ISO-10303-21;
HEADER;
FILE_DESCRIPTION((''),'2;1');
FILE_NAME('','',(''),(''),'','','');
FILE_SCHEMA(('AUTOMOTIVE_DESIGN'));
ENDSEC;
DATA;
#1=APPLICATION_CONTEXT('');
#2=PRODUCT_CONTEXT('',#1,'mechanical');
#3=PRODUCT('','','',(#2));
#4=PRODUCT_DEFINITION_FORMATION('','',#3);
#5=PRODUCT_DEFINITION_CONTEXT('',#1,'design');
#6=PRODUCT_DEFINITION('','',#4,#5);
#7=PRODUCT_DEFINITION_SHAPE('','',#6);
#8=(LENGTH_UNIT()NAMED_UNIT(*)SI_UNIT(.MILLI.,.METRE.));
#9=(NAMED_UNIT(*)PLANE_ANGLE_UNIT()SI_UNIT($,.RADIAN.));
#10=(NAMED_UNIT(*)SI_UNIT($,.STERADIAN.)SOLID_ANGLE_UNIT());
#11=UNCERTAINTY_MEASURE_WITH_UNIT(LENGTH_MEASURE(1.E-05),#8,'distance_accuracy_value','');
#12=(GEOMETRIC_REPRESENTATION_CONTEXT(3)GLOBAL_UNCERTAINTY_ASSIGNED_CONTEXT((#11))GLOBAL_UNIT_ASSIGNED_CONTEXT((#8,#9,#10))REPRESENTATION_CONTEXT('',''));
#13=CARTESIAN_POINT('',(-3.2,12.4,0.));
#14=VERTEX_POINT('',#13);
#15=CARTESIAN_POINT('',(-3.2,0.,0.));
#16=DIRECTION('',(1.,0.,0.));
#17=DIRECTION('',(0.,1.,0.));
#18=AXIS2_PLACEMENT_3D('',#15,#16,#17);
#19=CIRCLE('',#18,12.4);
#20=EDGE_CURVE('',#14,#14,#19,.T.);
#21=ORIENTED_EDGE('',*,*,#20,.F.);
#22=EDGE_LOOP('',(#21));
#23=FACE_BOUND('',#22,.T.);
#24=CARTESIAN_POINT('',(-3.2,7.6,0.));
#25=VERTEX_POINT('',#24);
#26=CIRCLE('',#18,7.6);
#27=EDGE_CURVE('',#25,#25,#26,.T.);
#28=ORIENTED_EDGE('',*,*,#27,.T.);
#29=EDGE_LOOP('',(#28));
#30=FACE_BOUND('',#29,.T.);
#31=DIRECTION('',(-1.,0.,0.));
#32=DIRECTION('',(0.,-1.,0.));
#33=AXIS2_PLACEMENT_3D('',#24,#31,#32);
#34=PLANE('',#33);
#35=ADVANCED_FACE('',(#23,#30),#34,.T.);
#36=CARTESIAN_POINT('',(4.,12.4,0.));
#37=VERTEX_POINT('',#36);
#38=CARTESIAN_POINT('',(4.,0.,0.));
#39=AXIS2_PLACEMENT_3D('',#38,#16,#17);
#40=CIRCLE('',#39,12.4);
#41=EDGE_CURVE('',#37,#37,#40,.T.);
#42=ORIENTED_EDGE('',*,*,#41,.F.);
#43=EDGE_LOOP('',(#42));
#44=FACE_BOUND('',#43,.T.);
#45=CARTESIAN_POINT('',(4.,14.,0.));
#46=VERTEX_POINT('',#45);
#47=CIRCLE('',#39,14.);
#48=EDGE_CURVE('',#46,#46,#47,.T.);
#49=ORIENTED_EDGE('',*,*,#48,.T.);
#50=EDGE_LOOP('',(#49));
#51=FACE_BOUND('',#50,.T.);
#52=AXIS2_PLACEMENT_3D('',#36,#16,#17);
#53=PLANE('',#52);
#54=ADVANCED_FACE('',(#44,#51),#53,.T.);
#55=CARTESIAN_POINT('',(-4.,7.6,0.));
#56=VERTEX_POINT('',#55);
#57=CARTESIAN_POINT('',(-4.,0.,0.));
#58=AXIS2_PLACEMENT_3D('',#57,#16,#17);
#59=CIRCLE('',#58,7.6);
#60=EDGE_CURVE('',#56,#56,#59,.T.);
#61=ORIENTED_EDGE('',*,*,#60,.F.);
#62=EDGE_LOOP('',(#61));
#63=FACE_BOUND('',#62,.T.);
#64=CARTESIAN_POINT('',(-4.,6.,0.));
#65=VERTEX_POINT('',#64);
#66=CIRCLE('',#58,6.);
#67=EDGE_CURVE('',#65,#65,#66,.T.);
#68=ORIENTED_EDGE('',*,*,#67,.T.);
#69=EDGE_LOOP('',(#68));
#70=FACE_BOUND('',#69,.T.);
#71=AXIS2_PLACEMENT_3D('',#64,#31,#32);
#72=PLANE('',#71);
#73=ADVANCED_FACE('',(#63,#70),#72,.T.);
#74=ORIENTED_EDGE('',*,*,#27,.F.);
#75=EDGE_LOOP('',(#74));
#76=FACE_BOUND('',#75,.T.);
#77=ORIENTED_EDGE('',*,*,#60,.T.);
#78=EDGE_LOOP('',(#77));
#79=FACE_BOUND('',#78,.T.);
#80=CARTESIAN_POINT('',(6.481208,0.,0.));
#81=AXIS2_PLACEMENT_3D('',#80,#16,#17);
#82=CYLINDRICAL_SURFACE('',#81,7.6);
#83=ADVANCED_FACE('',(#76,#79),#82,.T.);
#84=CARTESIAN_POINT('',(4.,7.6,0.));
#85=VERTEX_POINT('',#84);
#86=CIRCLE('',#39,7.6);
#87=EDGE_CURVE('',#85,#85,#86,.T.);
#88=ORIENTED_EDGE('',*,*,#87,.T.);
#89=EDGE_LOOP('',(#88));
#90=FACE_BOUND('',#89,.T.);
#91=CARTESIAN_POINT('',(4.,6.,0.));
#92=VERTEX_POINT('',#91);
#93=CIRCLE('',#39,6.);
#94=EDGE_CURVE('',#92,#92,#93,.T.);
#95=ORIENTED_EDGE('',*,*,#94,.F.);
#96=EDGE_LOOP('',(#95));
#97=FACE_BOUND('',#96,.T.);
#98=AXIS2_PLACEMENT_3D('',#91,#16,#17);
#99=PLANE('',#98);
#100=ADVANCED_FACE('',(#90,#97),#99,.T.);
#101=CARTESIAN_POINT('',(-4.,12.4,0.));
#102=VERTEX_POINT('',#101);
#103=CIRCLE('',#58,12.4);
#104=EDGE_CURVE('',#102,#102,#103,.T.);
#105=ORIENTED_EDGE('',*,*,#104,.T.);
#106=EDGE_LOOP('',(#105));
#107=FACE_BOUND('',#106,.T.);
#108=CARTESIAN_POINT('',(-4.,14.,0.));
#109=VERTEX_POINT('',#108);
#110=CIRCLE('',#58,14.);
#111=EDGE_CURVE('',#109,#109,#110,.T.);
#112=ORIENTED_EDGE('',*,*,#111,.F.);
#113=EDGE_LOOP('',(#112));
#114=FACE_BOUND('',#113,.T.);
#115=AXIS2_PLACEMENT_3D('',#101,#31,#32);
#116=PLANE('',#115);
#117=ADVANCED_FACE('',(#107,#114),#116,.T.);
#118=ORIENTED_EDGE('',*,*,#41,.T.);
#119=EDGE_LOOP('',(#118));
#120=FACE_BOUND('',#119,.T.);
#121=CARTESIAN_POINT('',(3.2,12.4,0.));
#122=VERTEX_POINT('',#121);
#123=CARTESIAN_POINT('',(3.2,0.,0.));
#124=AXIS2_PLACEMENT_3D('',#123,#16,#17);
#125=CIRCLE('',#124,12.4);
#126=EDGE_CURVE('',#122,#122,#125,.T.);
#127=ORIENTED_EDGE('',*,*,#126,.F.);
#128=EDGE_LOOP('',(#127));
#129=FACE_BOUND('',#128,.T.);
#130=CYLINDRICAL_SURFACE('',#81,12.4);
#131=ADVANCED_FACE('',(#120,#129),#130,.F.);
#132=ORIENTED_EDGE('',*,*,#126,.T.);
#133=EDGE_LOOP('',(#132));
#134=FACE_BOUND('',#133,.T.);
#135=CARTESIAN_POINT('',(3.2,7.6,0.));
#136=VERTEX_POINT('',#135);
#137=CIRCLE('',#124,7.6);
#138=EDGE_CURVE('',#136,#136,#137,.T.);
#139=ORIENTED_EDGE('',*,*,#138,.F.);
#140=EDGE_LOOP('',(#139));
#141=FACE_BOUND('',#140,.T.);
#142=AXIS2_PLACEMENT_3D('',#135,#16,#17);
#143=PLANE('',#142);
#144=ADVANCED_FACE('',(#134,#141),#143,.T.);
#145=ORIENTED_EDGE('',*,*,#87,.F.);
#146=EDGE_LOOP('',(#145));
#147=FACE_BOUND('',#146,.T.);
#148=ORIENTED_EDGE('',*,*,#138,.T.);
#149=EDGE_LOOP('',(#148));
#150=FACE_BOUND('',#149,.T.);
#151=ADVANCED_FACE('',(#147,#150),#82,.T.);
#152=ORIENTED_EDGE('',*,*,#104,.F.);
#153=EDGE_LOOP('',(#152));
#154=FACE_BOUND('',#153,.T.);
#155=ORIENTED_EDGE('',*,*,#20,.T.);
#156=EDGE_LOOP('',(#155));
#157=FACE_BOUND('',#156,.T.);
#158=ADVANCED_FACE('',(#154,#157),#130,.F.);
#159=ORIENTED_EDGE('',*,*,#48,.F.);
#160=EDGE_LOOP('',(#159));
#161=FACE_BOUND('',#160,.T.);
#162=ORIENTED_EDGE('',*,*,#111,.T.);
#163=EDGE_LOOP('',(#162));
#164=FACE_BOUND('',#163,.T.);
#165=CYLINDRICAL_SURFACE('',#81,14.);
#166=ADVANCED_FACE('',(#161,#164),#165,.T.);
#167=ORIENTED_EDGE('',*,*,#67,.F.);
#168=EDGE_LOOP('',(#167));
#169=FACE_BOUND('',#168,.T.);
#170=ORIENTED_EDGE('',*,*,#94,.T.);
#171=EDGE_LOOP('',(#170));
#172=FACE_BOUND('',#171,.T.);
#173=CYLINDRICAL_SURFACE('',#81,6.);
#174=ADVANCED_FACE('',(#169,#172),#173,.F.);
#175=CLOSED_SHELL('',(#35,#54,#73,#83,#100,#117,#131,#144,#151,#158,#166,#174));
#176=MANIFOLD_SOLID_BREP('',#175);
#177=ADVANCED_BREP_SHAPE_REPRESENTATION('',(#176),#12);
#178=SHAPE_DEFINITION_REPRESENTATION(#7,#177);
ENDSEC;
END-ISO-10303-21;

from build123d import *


with BuildPart() as part:
    # Sketch1 → Revolve1 (revolve)
    with BuildSketch(Plane.XY):
        Polygon((-4, 6), (4, 6), (4, 7.6), (3.2, 7.6), (3.2, 12.4), (4, 12.4), (4, 14), (-4, 14), (-4, 12.4), (-3.2, 12.4), (-3.2, 7.6), (-4, 7.6), align=None)
    revolve(axis=Axis((6.481208189, 0, 0), (-1, 0, 0)))


solid = part.part
